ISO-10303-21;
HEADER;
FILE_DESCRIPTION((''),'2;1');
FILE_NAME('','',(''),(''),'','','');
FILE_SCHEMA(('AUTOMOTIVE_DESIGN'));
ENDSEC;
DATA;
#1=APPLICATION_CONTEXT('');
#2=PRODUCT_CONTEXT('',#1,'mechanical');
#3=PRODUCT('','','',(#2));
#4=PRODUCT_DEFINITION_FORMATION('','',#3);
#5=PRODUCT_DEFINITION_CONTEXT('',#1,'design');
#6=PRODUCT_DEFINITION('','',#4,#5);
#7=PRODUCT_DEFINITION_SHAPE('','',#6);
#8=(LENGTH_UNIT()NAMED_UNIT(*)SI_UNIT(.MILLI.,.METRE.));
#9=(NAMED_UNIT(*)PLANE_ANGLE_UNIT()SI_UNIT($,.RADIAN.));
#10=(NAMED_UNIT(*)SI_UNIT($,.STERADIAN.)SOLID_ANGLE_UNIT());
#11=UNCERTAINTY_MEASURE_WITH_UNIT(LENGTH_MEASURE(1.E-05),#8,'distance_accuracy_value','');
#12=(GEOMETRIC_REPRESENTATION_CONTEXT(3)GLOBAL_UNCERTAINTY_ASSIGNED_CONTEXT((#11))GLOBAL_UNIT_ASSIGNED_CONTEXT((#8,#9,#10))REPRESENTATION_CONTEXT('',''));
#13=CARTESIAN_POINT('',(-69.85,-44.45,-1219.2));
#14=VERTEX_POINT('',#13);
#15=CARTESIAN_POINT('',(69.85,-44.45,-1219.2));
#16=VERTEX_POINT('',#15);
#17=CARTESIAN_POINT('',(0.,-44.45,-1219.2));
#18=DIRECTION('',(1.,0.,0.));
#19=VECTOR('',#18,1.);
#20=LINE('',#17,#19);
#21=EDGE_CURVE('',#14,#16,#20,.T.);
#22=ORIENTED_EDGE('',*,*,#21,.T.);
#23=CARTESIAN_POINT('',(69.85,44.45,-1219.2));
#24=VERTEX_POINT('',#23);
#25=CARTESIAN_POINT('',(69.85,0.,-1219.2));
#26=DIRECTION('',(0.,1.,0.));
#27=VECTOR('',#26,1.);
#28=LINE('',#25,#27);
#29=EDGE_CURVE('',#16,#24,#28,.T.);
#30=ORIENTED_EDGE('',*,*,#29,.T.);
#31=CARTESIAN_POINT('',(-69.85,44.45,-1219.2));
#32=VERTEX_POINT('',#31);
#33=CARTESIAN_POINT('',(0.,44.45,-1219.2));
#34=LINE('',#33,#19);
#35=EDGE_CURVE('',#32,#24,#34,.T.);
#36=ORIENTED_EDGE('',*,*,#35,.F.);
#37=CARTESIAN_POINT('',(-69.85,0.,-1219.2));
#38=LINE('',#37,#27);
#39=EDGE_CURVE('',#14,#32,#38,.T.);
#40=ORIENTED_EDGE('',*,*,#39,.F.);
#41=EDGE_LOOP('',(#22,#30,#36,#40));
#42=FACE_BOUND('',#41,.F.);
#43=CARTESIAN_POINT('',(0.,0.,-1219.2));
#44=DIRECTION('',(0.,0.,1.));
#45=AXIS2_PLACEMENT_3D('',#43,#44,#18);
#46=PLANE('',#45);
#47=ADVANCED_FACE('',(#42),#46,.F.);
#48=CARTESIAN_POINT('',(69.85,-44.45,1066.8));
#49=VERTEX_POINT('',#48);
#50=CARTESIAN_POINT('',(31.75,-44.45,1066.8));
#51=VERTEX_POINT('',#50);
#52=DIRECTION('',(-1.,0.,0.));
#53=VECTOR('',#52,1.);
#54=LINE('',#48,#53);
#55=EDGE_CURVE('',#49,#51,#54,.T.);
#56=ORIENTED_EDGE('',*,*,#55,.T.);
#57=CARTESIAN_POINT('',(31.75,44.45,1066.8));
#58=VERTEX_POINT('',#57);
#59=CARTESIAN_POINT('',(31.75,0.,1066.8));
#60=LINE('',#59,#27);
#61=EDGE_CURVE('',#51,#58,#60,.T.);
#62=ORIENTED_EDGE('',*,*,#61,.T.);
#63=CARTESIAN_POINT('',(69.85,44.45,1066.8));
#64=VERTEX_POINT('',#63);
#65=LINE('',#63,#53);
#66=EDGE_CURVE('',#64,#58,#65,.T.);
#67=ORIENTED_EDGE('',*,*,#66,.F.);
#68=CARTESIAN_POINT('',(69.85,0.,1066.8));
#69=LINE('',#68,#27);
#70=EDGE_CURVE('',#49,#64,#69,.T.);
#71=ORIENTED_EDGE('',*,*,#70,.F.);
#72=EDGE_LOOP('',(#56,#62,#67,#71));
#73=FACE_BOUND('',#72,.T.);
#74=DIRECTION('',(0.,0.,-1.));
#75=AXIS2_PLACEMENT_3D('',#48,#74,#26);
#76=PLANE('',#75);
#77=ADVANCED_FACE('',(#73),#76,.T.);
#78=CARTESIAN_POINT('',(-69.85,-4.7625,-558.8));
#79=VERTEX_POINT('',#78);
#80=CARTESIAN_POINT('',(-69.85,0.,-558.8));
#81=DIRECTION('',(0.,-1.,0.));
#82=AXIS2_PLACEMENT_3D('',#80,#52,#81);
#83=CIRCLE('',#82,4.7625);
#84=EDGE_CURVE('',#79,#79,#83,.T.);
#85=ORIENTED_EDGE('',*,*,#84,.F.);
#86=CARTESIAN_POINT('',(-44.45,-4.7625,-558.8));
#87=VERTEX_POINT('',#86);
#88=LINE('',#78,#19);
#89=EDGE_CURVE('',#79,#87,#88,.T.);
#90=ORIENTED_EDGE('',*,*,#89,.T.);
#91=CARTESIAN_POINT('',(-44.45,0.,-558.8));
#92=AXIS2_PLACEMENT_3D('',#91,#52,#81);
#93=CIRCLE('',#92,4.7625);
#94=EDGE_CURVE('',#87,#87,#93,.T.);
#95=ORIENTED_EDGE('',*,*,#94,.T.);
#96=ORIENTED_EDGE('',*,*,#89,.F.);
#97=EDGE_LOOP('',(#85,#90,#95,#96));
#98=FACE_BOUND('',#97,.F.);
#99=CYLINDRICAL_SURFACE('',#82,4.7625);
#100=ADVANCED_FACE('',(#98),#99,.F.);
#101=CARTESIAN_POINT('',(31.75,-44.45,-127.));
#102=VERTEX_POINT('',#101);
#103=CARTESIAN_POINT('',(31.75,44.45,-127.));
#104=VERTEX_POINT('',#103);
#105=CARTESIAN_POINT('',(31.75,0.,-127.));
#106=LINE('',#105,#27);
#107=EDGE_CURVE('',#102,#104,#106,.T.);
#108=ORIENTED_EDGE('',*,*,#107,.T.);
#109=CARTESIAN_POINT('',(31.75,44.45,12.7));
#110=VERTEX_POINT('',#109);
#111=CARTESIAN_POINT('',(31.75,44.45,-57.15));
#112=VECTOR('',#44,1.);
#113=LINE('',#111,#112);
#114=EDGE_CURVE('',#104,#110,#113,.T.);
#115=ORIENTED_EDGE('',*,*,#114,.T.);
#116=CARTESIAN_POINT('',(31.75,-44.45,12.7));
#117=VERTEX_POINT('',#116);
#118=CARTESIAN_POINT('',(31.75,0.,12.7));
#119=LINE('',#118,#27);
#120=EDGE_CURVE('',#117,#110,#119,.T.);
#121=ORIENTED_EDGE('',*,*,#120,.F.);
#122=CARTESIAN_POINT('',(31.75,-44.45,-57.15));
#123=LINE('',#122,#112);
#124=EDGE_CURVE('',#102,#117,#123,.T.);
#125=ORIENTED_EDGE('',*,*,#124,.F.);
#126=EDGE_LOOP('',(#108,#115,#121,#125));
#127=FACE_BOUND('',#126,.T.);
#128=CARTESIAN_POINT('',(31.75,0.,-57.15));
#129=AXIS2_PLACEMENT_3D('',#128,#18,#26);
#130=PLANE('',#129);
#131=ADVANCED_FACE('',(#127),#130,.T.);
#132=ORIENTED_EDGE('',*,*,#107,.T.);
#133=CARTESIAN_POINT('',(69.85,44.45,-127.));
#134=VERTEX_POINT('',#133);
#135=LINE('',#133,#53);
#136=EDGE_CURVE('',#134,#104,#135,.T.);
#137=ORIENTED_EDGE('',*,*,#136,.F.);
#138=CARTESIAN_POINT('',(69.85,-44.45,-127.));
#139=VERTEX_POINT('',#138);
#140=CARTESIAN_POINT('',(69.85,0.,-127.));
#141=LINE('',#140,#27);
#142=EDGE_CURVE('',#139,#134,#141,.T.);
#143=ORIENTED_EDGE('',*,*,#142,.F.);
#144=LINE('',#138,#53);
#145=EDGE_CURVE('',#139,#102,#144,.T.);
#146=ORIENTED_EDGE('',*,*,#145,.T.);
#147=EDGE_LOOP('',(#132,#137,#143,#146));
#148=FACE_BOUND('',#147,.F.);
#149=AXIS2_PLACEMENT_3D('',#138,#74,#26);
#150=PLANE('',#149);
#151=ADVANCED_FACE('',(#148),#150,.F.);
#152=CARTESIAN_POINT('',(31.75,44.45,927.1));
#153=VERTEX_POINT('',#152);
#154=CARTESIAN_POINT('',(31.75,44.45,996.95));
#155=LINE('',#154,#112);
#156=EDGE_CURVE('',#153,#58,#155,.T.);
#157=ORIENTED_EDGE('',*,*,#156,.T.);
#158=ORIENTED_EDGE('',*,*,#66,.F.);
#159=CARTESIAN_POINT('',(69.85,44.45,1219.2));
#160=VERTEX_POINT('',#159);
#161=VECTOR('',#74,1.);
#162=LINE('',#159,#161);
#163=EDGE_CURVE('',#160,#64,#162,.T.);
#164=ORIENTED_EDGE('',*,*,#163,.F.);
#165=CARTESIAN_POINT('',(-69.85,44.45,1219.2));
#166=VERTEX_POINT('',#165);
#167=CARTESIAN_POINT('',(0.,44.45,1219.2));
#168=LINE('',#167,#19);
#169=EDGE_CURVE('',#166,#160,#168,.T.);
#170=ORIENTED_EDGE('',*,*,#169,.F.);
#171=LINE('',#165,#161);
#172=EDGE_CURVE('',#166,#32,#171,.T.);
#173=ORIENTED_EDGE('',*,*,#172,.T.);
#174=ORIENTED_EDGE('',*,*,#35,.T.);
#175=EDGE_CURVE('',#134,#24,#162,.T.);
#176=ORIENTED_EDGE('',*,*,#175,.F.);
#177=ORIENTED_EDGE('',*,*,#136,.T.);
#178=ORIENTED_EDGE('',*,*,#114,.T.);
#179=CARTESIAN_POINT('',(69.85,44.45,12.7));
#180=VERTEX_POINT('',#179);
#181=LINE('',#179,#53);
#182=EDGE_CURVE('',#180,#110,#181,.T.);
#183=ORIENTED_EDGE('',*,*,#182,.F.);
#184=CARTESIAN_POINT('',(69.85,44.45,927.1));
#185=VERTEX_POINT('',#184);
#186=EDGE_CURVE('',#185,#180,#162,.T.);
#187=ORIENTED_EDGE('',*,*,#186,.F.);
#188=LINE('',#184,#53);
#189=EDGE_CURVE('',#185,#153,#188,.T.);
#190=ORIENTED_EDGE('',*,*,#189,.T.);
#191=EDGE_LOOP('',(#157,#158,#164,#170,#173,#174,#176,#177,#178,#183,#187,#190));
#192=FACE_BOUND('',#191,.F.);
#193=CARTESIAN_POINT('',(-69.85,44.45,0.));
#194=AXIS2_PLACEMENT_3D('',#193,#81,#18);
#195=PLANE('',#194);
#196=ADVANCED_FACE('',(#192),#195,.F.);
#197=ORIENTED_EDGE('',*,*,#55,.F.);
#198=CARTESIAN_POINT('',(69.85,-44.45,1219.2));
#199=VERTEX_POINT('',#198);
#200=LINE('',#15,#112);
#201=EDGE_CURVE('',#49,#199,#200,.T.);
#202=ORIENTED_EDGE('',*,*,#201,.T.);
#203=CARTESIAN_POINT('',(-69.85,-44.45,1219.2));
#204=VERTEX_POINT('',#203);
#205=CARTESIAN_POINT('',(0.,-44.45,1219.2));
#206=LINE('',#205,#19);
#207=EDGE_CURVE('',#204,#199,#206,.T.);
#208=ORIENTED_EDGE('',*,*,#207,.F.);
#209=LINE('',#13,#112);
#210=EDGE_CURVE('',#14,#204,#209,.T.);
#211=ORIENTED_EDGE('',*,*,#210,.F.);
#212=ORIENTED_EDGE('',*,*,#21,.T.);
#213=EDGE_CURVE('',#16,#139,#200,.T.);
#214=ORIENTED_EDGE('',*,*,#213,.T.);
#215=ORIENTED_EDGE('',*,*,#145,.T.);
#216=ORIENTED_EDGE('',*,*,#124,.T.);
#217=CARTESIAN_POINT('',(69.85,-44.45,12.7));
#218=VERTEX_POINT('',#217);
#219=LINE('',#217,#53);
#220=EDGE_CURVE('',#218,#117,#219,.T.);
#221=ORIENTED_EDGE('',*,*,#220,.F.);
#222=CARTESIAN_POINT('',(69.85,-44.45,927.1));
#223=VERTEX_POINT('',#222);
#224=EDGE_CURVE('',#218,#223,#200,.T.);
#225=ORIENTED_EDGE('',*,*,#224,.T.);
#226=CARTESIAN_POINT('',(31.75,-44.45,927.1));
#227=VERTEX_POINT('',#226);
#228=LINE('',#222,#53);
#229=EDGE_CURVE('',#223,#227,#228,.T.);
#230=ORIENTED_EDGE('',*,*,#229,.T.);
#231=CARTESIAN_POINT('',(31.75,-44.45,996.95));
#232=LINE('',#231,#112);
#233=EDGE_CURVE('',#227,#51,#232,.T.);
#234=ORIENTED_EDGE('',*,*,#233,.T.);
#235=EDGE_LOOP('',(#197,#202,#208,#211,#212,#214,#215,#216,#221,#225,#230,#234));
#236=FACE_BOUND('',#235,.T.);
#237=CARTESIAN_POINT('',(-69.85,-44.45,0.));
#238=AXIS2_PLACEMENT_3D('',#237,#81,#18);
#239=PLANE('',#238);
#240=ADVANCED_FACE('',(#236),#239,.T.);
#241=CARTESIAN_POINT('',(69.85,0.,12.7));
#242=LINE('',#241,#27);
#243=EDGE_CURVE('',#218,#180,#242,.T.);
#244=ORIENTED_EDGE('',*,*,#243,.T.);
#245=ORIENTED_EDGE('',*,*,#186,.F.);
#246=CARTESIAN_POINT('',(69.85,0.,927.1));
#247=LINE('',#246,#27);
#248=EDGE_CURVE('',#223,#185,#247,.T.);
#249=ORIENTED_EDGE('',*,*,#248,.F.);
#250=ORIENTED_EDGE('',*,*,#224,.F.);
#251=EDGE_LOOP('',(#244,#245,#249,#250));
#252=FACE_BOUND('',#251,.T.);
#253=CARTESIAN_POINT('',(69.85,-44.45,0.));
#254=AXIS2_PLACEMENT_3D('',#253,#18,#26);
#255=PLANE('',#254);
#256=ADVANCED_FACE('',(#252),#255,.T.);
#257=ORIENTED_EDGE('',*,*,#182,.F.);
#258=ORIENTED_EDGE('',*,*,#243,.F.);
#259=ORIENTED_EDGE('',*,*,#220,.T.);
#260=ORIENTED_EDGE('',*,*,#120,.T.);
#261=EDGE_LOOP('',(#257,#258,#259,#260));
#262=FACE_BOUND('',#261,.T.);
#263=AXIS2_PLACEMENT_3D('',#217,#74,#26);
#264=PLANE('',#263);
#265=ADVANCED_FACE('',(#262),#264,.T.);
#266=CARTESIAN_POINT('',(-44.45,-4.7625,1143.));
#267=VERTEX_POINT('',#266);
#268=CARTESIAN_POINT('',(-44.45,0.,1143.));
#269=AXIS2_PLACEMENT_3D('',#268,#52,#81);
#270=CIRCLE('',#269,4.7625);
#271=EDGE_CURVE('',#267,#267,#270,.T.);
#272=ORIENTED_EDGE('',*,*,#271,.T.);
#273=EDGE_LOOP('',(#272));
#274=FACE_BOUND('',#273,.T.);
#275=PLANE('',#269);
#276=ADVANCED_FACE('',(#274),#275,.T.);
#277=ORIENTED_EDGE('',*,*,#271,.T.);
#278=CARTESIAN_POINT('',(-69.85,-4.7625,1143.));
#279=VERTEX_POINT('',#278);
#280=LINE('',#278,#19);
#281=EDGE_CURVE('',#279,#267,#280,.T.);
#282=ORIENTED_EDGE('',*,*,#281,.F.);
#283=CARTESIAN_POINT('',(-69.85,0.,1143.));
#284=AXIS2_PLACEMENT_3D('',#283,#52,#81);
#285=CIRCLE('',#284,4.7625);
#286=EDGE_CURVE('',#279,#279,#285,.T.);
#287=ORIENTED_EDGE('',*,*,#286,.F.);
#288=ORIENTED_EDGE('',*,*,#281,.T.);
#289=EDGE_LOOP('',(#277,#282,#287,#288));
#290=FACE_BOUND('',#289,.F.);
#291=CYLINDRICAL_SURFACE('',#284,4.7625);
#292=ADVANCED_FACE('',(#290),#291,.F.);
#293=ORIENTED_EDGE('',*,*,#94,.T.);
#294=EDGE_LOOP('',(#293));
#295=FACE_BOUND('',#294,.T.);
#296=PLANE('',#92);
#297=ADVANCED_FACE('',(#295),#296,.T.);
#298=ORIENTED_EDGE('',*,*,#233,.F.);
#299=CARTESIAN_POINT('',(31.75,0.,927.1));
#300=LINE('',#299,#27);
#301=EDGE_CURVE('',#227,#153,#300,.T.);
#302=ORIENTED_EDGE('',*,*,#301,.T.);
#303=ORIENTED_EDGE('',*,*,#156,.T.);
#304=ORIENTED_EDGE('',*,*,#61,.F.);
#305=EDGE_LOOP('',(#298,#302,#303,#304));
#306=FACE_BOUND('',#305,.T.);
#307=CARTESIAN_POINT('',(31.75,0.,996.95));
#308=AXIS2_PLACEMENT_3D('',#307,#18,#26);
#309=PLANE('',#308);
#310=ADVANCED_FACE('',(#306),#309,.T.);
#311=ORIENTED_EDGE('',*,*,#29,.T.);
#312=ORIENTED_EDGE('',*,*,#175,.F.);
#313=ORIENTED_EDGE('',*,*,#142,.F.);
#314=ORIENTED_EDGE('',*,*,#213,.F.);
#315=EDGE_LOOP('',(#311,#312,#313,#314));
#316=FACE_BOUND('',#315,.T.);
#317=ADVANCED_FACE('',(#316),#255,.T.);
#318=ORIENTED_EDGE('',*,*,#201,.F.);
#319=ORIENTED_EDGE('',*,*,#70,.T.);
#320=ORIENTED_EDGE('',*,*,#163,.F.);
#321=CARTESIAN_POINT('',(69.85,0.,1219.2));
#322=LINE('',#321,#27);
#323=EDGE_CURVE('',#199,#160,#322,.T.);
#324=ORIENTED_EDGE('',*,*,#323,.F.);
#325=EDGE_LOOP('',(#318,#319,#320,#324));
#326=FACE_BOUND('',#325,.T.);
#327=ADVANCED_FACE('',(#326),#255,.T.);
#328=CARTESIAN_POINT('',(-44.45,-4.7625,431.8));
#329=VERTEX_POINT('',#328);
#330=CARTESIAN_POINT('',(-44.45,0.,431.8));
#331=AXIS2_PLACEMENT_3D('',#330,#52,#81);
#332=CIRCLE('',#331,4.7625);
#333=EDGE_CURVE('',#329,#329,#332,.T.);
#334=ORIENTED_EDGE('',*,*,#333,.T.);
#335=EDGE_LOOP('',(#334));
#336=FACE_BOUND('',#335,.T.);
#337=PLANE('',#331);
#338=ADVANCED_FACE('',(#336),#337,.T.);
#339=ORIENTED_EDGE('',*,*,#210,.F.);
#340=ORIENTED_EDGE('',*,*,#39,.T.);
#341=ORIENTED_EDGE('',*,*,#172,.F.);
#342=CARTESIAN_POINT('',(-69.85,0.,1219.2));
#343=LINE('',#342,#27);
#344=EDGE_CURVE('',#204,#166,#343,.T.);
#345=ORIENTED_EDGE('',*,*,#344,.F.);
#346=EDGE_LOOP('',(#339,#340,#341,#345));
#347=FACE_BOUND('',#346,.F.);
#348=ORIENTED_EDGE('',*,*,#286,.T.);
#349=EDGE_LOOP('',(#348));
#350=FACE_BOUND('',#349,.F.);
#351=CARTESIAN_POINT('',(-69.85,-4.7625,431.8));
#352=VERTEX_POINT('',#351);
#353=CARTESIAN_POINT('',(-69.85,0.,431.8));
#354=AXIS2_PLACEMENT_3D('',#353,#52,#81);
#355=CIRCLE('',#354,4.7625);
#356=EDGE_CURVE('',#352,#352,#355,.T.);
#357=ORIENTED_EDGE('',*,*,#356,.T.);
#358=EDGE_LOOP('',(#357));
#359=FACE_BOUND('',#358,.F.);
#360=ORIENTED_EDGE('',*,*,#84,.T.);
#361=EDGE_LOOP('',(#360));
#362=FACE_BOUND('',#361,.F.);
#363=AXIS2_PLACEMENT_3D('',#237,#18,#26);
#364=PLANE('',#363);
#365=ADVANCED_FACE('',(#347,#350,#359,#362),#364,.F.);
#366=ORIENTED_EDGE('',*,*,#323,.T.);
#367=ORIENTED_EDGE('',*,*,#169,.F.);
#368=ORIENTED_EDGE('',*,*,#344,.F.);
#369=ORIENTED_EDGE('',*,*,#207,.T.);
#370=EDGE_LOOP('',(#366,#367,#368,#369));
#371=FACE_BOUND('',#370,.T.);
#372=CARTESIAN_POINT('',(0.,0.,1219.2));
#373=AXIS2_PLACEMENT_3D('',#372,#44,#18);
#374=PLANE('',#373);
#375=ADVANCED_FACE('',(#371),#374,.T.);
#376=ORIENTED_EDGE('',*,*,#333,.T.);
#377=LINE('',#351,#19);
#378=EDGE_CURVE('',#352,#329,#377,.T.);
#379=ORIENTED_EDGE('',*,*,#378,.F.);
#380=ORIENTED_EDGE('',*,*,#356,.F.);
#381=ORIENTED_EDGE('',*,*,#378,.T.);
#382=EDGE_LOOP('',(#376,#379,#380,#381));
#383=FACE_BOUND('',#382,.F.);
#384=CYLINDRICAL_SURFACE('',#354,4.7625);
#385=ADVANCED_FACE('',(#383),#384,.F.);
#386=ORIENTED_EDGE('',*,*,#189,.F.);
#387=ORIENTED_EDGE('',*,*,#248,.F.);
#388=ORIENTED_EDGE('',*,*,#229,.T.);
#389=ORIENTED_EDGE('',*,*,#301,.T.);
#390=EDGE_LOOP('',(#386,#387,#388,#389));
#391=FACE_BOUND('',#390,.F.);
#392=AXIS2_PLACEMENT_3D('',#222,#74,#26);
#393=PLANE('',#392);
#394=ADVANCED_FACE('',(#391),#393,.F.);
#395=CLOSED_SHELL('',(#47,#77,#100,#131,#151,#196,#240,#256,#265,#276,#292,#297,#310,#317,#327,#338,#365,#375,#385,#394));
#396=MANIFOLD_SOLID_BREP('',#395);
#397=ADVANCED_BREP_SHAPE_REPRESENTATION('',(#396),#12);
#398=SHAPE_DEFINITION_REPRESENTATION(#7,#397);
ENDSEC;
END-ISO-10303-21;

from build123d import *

# Parameters (mm, degrees)
F0_W     = 139.7
F0_H     = 88.9
F1_DEPTH = 1219.2
F2_W     = 88.9
F2_H     = 139.7
F3_DEPTH = 38.1
F4_R     = 4.7625
F5_DEPTH = 25.4


with BuildPart() as f1:
    # F0 (on Top) → F1 (new body, symmetric)
    with BuildSketch(Plane.XY):
        Rectangle(F0_W, F0_H)
    extrude(amount=F1_DEPTH, both=True)

    # F2 (on face) → F3 (cut)
    with BuildSketch(Plane.YZ.offset(69.85)):
        with Locations((0, 996.95)):
            Rectangle(F2_W, F2_H)
        with Locations((0, -57.15)):
            Rectangle(F2_W, F2_H)
    extrude(amount=-F3_DEPTH, mode=Mode.SUBTRACT)

    # F4 (on face) → F5 (cut)
    with BuildSketch(Plane(origin=(-69.85, 0, 0), x_dir=(0, -1, 0), z_dir=(-1, 0, 0))):
        with Locations((0, -558.8)):
            Circle(F4_R)
        with Locations((0, 431.8)):
            Circle(F4_R)
        with Locations((0, 1143)):
            Circle(F4_R)
    extrude(amount=-F5_DEPTH, mode=Mode.SUBTRACT)


solid = f1.part
